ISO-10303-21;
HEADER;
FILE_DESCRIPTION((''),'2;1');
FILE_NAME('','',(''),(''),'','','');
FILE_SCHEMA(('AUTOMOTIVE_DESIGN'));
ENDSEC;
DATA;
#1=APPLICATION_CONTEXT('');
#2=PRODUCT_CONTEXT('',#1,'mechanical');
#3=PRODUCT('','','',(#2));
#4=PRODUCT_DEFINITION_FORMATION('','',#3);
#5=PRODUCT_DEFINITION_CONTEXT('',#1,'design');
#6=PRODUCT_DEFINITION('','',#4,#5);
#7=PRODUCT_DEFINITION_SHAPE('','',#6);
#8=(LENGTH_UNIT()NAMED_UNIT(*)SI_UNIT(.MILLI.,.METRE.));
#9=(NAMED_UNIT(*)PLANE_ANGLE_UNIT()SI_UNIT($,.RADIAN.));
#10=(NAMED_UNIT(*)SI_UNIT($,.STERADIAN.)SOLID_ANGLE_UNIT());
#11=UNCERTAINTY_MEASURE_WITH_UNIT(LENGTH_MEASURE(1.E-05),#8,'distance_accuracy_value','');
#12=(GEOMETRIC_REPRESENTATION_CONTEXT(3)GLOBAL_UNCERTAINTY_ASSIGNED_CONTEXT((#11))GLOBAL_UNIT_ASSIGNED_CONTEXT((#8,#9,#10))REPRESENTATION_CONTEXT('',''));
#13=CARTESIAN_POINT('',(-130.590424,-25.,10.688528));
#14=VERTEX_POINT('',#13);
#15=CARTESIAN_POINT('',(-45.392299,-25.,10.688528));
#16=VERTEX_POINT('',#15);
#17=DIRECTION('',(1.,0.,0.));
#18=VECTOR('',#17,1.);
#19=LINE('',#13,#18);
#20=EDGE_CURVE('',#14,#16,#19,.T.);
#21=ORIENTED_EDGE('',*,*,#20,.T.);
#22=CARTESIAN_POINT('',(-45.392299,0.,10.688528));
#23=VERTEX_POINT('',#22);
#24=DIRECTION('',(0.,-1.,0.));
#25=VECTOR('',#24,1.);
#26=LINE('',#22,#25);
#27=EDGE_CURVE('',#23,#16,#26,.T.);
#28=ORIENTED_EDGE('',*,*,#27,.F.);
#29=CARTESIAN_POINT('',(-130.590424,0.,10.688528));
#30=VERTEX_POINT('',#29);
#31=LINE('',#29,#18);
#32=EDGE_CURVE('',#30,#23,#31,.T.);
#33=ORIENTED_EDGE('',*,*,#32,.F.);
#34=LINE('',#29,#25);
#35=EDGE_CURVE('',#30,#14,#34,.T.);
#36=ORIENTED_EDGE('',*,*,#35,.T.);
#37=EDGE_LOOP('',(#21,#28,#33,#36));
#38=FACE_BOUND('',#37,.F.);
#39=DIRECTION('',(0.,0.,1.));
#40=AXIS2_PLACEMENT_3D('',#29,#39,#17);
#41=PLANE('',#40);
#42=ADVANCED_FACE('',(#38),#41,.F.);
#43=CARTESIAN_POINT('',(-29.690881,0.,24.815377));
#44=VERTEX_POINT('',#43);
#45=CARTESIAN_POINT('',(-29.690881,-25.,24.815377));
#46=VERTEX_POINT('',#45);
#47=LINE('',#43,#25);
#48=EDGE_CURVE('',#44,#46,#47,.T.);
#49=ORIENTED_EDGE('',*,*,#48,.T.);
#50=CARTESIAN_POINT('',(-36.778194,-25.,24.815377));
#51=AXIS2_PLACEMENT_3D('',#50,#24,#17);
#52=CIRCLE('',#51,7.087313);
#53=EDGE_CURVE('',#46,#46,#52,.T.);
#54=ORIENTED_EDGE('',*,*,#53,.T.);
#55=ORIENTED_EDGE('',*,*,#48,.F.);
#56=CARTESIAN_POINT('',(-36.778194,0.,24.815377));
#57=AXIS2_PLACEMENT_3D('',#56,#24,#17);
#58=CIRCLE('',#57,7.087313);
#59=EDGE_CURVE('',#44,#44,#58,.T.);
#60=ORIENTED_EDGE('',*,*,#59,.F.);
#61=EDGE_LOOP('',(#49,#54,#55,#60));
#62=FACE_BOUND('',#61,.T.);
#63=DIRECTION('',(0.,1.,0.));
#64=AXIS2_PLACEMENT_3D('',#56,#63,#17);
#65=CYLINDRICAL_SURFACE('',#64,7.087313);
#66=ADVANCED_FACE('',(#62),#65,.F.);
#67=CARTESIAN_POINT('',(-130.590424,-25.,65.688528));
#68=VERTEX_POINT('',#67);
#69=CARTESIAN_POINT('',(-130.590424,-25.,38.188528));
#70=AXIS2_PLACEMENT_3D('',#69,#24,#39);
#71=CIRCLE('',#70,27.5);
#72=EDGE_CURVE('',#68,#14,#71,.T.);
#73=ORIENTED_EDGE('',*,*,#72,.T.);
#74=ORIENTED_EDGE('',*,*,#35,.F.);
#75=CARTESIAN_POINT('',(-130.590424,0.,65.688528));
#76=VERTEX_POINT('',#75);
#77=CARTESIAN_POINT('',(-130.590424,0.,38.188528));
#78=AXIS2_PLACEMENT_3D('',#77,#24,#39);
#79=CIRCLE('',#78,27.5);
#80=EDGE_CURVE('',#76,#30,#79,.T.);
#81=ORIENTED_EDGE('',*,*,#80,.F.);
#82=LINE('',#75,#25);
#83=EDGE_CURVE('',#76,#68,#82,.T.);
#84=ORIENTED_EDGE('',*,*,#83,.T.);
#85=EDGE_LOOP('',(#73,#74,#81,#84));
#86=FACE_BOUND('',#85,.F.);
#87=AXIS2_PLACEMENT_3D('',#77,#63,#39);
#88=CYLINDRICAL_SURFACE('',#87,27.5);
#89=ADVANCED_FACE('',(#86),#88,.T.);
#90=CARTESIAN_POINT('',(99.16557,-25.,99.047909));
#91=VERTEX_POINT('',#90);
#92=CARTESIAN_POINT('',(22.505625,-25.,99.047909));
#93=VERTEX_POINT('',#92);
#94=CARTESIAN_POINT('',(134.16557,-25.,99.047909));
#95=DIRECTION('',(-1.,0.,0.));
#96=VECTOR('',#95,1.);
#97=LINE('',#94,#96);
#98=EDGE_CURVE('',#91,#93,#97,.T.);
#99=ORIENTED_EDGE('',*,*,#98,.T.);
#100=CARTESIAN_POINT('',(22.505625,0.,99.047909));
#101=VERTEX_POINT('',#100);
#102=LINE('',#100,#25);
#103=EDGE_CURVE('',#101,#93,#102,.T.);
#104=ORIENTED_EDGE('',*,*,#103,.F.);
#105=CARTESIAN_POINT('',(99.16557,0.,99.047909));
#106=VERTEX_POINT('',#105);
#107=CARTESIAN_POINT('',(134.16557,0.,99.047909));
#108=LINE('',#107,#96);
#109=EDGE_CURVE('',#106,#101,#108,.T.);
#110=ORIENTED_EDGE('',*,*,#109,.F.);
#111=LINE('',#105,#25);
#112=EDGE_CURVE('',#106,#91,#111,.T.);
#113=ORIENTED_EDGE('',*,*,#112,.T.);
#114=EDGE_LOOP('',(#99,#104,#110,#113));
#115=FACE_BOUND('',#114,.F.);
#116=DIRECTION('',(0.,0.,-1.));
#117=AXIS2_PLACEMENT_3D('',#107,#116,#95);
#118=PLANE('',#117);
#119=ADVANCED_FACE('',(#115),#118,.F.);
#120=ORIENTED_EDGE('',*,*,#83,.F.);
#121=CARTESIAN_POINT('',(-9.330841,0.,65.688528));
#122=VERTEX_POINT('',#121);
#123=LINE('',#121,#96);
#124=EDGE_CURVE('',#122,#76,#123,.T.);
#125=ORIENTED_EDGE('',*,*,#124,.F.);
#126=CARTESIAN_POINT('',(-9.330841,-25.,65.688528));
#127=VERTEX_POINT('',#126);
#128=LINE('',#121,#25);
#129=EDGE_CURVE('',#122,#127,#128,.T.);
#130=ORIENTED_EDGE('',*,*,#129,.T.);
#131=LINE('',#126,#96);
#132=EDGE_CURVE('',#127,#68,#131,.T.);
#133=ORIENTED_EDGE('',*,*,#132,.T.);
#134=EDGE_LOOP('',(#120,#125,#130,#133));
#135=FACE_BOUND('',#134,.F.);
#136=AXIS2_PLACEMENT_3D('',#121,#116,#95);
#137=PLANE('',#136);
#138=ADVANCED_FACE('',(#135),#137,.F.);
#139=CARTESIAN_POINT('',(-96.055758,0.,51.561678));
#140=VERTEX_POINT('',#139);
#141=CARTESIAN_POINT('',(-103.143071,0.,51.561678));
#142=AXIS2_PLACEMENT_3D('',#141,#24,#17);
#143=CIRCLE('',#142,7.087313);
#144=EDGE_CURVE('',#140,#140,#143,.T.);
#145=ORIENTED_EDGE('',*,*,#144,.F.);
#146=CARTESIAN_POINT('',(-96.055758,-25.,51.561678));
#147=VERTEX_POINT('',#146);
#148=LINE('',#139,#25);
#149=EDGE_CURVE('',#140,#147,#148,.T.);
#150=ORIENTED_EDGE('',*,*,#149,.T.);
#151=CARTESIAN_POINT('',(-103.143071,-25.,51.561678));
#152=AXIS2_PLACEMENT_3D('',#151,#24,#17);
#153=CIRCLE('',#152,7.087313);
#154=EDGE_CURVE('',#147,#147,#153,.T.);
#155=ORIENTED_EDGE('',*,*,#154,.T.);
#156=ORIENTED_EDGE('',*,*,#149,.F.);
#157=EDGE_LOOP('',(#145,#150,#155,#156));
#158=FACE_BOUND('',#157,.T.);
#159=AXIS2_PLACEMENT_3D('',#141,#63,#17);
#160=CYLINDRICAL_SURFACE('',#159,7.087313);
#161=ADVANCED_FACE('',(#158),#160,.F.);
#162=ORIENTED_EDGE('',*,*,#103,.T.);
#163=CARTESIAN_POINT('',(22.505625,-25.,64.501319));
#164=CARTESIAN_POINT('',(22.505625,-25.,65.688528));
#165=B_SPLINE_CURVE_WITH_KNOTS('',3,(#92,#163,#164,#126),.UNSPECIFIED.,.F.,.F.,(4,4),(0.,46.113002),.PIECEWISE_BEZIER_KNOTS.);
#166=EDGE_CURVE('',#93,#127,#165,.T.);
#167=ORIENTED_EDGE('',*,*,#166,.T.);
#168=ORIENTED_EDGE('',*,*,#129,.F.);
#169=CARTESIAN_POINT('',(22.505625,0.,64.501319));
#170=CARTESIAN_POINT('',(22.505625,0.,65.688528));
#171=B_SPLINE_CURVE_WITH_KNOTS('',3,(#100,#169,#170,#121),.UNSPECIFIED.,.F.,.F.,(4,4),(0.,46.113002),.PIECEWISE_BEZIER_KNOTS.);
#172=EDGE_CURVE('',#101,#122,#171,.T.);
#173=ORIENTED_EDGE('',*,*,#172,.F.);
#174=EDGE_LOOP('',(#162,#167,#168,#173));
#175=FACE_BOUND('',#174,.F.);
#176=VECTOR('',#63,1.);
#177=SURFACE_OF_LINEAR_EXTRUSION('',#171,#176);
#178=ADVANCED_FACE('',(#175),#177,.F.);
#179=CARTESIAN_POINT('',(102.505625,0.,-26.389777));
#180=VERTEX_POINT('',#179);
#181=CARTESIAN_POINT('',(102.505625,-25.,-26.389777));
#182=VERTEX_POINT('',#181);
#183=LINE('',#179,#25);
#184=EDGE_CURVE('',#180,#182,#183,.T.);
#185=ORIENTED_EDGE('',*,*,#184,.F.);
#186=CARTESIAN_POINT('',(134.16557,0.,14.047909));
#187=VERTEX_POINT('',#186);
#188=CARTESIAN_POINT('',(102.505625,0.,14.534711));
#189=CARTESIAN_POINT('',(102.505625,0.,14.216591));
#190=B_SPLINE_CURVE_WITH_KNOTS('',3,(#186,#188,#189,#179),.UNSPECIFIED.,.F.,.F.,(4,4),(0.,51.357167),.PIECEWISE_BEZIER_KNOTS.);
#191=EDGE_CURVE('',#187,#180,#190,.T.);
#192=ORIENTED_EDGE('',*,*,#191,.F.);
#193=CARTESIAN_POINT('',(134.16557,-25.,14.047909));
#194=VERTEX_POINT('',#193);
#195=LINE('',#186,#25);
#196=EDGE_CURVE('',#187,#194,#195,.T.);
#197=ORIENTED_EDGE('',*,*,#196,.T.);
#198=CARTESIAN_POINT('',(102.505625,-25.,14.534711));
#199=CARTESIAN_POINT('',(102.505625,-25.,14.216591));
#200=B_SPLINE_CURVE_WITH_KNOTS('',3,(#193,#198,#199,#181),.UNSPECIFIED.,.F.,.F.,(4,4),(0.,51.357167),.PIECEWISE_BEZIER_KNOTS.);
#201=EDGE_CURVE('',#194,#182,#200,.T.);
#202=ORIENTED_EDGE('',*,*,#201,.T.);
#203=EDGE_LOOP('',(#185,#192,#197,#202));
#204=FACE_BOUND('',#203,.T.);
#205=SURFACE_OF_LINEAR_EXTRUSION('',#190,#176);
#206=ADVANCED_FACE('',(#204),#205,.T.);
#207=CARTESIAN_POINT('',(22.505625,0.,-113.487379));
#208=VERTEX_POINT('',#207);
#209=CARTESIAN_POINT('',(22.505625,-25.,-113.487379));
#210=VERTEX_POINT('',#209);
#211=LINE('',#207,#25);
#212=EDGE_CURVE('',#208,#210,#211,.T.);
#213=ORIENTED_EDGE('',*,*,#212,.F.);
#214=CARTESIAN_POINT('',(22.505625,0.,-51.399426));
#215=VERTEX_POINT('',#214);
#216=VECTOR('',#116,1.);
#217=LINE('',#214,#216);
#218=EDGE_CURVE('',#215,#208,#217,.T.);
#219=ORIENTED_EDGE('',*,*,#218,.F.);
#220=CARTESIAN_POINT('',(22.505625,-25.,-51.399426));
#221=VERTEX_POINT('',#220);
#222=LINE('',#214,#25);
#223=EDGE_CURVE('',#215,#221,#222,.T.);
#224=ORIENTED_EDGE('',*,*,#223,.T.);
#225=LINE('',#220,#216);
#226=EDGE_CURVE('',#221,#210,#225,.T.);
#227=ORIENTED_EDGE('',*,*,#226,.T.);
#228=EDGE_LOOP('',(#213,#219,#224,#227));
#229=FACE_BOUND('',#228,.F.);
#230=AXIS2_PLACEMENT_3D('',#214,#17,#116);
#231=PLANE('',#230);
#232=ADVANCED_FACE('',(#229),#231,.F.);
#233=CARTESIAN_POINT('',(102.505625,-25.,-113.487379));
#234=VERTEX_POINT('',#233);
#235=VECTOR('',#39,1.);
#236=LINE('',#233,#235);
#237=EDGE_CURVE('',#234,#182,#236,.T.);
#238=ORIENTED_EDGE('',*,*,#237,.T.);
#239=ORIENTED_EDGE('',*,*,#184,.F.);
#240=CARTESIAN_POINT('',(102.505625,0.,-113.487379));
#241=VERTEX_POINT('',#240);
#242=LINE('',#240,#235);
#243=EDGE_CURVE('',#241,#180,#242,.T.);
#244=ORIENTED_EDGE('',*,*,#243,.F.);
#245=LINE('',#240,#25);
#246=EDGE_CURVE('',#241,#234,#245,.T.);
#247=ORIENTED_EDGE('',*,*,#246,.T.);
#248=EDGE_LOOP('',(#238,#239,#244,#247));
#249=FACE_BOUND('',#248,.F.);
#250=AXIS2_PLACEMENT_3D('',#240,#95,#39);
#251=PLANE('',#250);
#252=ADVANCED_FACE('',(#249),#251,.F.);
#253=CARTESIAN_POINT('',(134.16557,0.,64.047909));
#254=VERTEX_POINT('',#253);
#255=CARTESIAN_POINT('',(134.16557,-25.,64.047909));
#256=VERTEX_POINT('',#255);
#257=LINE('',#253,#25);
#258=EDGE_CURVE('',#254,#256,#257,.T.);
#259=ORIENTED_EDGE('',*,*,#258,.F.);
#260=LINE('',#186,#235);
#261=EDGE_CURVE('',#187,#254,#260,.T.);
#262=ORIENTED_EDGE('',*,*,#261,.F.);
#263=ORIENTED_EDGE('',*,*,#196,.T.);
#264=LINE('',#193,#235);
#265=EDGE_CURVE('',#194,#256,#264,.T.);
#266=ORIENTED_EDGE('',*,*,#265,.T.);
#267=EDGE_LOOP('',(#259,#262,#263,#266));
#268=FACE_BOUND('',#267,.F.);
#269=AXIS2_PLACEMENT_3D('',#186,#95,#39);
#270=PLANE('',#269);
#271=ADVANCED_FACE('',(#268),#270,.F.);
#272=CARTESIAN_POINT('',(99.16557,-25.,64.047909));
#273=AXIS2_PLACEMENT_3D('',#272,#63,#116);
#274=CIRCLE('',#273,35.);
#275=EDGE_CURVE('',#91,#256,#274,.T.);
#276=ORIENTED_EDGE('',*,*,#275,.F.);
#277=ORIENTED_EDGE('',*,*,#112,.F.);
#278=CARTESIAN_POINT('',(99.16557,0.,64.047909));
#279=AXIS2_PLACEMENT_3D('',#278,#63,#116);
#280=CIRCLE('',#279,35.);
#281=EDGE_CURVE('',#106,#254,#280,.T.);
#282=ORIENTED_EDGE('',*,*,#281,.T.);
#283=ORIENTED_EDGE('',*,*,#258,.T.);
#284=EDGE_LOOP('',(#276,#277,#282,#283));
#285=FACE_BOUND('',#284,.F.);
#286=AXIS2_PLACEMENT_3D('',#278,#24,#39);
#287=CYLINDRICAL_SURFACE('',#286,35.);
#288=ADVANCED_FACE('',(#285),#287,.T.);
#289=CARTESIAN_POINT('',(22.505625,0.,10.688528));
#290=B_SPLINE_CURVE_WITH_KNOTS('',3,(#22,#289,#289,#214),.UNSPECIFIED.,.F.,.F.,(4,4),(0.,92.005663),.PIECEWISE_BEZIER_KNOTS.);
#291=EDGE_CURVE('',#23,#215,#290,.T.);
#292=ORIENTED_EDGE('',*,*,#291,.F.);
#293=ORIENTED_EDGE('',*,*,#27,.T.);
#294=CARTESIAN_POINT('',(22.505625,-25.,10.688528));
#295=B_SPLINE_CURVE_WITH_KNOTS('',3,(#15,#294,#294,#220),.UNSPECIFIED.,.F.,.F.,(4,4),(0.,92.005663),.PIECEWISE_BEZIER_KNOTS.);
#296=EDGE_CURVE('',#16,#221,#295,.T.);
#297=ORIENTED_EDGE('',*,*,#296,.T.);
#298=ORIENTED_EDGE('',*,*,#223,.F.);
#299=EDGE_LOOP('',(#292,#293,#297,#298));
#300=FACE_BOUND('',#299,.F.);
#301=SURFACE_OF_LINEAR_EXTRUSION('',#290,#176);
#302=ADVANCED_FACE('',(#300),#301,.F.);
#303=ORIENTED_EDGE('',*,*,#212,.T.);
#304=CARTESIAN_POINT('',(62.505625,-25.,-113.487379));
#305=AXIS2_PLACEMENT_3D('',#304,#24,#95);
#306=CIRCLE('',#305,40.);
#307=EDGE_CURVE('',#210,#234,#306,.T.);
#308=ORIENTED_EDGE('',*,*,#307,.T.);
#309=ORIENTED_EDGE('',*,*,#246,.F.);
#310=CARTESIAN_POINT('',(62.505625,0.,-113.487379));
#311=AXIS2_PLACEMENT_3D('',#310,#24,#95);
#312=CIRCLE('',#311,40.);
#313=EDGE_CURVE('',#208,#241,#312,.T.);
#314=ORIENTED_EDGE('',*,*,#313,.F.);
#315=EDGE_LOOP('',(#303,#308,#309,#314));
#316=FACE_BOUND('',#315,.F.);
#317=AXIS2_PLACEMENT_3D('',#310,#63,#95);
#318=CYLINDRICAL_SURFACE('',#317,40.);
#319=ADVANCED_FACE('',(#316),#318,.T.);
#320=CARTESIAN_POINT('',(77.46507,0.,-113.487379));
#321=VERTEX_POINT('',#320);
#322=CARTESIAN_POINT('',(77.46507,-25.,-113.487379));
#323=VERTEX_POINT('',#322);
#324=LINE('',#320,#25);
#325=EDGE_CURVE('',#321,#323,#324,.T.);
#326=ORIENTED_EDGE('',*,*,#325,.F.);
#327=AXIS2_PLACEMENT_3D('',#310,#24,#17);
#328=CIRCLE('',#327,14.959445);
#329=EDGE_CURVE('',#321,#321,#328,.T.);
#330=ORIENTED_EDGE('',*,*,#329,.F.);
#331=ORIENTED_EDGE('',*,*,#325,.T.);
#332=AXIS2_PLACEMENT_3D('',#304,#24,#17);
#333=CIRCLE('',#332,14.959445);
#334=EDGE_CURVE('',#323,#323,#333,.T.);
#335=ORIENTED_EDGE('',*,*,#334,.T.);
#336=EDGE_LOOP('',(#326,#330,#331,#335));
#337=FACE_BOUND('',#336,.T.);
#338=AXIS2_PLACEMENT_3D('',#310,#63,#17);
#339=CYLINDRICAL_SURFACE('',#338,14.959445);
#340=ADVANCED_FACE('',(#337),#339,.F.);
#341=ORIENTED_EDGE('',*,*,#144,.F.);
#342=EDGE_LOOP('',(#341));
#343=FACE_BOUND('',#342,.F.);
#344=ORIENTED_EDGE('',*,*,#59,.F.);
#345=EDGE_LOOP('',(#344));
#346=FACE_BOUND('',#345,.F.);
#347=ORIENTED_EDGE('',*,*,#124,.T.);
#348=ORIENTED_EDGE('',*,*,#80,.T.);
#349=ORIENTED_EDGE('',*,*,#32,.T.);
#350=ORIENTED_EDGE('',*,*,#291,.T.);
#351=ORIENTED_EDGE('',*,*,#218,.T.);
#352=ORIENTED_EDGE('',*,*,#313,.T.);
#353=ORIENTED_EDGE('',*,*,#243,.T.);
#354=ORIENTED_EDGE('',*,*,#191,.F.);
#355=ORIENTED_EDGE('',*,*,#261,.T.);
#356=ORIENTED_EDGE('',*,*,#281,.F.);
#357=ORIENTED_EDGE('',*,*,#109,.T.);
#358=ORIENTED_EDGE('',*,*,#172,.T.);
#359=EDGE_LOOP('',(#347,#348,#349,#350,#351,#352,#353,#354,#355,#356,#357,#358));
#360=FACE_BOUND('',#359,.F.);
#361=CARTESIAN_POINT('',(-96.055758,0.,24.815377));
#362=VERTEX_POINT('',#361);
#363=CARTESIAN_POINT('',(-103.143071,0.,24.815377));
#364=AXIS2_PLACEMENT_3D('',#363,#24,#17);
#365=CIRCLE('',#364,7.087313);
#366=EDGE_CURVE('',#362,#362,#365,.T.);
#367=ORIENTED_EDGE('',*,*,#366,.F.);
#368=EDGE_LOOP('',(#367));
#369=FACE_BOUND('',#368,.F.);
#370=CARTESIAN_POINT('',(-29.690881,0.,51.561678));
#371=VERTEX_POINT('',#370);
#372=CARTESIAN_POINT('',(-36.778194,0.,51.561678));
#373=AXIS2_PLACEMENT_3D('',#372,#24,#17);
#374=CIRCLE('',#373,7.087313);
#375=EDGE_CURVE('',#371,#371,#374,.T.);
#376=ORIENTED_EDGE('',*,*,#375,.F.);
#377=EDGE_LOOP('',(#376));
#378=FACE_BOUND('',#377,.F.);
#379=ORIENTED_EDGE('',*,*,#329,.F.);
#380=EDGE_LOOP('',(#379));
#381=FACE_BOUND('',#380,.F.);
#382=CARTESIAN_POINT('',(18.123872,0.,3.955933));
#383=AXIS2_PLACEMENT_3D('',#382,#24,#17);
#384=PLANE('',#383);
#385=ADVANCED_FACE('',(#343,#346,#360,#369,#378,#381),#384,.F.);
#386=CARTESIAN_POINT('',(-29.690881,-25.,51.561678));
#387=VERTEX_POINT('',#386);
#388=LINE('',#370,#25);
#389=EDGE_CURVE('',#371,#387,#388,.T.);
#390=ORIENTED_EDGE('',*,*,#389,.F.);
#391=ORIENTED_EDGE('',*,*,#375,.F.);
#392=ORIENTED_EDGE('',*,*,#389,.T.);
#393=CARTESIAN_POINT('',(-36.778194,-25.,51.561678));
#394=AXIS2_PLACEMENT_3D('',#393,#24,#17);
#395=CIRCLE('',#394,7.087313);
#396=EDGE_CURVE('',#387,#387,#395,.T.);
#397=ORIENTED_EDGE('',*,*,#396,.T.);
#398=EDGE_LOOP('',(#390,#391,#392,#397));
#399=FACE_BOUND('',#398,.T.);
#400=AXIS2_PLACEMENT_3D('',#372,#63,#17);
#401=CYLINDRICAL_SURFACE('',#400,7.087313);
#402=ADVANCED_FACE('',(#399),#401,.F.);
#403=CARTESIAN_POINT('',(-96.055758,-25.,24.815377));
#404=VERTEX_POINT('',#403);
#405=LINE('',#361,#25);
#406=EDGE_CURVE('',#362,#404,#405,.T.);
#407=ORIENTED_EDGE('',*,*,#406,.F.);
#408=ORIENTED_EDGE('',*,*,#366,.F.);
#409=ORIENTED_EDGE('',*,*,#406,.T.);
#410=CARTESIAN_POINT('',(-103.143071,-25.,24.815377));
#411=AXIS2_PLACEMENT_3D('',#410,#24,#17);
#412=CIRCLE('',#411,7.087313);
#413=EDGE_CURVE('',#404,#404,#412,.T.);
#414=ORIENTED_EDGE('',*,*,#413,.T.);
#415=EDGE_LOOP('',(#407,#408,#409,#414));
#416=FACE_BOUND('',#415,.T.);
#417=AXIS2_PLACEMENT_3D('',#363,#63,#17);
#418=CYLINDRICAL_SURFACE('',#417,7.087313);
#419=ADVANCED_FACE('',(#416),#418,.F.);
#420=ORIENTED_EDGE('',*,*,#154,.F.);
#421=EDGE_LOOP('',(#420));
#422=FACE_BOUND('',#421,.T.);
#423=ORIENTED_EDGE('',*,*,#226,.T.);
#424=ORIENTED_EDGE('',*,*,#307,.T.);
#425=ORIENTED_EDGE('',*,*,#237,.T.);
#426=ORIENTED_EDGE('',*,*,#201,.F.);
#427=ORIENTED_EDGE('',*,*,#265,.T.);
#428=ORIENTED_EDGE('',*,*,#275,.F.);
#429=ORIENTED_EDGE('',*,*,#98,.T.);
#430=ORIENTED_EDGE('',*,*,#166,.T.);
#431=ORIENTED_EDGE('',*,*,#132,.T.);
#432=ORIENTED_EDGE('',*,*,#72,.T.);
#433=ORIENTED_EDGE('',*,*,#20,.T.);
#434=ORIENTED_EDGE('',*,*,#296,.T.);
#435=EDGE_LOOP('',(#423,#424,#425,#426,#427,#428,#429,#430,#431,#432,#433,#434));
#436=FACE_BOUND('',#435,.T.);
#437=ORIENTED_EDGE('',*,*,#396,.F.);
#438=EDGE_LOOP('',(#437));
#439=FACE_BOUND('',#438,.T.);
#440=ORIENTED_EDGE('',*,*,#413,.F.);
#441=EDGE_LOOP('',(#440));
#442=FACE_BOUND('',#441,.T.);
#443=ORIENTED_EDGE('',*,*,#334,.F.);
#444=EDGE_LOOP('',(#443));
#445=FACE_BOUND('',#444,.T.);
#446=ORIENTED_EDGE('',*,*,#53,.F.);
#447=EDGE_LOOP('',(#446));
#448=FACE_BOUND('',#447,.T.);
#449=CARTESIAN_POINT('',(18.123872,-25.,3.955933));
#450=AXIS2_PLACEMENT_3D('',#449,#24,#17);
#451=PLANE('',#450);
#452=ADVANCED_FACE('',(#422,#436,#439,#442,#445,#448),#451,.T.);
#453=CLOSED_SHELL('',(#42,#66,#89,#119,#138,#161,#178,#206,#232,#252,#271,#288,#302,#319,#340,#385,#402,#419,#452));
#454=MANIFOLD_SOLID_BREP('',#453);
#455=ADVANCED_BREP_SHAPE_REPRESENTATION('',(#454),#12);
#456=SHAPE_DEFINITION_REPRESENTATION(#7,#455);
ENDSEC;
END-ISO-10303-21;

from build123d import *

# Parameters (mm, degrees)
F0_R     = 14.959445
F0_R_2   = 7.087313
F1_DEPTH = 25
F2_R     = 35


with BuildPart() as f1:
    # F0 (on Front) → F1 (new body)
    with BuildSketch(Plane.XZ):
        with BuildLine():
            add(Edge.make_bspline(
                [(-45.392299, 10.688528), (22.505625, 10.688528), (22.505625, 10.688528), (22.505625, -51.399426)],
                knots=[0, 0, 0, 0, 92.005663, 92.005663, 92.005663, 92.005663], degree=3))
            Line((22.505625, -51.399426), (22.505625, -113.487379))
            ThreePointArc((22.505625, -113.487379), (62.505625, -153.487379), (102.505625, -113.487379))
            Line((102.505625, -113.487379), (102.505625, -26.389777))
            add(Edge.make_bspline(
                [(134.16557, 14.047909), (102.505625, 14.534711), (102.505625, 14.216591), (102.505625, -26.389777)],
                knots=[0, 0, 0, 0, 51.357167, 51.357167, 51.357167, 51.357167], degree=3))
            Line((134.16557, 14.047909), (134.16557, 99.047909))
            Line((134.16557, 99.047909), (22.505625, 99.047909))
            add(Edge.make_bspline(
                [(22.505625, 99.047909), (22.505625, 64.501319), (22.505625, 65.688528), (-9.330841, 65.688528)],
                knots=[0, 0, 0, 0, 46.113002, 46.113002, 46.113002, 46.113002], degree=3))
            Line((-9.330841, 65.688528), (-130.590424, 65.688528))
            ThreePointArc((-130.590424, 65.688528), (-158.090424, 38.188528), (-130.590424, 10.688528))
            Line((-130.590424, 10.688528), (-45.392299, 10.688528))
        make_face()
        with Locations((62.505625, -113.487379)):
            Circle(F0_R, mode=Mode.SUBTRACT)
        with Locations((-103.143071, 24.815377)):
            Circle(F0_R_2, mode=Mode.SUBTRACT)
        with Locations((-36.778194, 24.815377)):
            Circle(F0_R_2, mode=Mode.SUBTRACT)
        with Locations((-103.143071, 51.561678)):
            Circle(F0_R_2, mode=Mode.SUBTRACT)
        with Locations((-36.778194, 51.561678)):
            Circle(F0_R_2, mode=Mode.SUBTRACT)
    extrude(amount=F1_DEPTH)

    # F2
    f2_edges = [f1.edges().sort_by_distance(p)[0] for p in [
        (134.16557, -12.5, 99.047909),
    ]]
    fillet(f2_edges, radius=F2_R)


solid = f1.part
